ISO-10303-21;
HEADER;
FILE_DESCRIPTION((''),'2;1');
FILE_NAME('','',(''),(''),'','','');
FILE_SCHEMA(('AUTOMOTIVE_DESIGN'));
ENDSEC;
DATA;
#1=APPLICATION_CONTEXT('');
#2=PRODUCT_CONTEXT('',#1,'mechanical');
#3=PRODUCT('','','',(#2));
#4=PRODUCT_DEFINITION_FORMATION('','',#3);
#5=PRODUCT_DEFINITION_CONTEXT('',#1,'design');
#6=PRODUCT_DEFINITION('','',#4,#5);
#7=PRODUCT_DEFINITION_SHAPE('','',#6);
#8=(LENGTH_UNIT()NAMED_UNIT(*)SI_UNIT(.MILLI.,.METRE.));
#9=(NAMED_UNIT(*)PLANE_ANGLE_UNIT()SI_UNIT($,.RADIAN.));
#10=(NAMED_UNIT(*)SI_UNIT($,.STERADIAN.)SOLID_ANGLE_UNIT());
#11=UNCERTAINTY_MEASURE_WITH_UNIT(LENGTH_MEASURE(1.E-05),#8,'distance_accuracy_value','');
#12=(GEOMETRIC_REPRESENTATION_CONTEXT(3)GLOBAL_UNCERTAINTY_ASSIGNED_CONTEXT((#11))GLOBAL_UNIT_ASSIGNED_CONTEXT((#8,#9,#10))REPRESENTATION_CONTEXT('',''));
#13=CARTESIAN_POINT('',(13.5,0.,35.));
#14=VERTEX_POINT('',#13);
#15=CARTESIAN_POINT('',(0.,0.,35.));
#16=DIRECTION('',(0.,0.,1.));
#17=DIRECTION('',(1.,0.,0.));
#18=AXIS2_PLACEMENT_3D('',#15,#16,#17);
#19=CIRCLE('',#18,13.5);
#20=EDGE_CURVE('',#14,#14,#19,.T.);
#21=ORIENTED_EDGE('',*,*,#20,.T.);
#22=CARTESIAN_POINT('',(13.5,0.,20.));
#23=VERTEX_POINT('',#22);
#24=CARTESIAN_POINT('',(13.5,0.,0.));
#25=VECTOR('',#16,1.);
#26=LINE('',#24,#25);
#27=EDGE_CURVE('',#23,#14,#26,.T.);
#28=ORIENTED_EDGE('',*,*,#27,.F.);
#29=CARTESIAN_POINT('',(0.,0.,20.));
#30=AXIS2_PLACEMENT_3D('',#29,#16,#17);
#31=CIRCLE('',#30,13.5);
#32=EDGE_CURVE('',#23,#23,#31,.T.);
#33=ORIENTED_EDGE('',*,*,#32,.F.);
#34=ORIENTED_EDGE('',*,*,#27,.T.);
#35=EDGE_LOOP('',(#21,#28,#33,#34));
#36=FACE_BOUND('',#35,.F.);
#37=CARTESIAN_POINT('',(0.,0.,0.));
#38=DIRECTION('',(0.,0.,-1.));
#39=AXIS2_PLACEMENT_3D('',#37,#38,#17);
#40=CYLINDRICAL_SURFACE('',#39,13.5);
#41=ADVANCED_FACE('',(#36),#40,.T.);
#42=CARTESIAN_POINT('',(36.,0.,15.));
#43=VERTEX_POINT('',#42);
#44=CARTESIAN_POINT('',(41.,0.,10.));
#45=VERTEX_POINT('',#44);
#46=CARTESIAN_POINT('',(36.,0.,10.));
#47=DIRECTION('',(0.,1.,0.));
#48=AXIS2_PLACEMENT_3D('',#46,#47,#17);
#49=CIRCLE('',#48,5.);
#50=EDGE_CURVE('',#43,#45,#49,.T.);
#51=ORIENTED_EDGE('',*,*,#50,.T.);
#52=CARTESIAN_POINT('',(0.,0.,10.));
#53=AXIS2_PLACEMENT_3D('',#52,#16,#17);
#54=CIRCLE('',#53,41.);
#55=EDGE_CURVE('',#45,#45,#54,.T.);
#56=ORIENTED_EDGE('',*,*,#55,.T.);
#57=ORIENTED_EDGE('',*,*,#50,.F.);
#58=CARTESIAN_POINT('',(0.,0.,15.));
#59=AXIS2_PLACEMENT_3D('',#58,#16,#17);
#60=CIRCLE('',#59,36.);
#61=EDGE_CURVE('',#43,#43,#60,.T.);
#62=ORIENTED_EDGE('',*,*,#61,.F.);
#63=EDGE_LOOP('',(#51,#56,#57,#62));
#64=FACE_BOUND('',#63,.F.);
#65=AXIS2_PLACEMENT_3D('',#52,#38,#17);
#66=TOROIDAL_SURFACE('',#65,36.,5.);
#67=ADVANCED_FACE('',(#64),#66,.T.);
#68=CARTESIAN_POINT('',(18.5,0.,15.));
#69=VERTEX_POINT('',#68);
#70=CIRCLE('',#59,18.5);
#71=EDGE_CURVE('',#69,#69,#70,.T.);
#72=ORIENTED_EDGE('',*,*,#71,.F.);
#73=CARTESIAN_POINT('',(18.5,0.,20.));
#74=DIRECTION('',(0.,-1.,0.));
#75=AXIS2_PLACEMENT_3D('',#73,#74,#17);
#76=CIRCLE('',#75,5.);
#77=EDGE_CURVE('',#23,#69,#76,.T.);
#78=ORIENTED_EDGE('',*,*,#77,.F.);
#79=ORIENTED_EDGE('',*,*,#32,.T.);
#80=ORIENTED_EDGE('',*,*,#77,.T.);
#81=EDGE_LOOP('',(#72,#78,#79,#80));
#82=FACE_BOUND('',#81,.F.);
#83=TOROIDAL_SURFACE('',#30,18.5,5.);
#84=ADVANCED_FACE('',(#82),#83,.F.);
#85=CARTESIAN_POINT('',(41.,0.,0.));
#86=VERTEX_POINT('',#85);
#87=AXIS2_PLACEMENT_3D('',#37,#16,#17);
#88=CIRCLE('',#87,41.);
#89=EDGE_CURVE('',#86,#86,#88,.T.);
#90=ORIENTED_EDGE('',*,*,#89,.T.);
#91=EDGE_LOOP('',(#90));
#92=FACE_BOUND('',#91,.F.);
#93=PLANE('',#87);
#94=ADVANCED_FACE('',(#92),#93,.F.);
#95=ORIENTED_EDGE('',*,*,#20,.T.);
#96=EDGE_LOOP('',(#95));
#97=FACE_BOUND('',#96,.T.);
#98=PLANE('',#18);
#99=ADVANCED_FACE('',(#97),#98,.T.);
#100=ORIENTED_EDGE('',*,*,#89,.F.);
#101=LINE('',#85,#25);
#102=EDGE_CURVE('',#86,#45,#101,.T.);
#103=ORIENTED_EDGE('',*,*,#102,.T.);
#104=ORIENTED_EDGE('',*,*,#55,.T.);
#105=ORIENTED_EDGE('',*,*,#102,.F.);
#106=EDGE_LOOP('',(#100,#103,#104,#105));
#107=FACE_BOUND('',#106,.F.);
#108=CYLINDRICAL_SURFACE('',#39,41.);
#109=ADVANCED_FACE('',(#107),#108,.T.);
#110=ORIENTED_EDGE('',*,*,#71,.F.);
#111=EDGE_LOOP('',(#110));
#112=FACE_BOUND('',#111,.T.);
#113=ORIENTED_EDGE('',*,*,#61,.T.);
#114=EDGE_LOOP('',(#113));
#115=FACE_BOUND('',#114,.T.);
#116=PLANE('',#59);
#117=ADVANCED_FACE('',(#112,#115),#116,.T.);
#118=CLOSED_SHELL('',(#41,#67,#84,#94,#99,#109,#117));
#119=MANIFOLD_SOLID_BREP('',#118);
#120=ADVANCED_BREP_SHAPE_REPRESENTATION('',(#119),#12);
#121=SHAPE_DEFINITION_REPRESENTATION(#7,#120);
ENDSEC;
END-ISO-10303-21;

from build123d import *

# Parameters (mm, degrees)
F0_R     = 41
F0_R_2   = 13.5
F1_DEPTH = 15
F2_DEPTH = 35
F3_R     = 5


with BuildPart() as f1:
    # F0 (on Top) → F1 (new body)
    with BuildSketch(Plane.XY):
        Circle(F0_R)
        Circle(F0_R_2, mode=Mode.SUBTRACT)
    extrude(amount=F1_DEPTH)

    # F0 (on Top) → F2 (join)
    with BuildSketch(Plane.XY):
        Circle(F0_R_2)
    extrude(amount=F2_DEPTH)

    # F3
    f3_edges = [f1.edges().sort_by_distance(p)[0] for p in [
        (-41, 0, 15),
        (-13.5, 0, 15),
    ]]
    fillet(f3_edges, radius=F3_R)


solid = f1.part
